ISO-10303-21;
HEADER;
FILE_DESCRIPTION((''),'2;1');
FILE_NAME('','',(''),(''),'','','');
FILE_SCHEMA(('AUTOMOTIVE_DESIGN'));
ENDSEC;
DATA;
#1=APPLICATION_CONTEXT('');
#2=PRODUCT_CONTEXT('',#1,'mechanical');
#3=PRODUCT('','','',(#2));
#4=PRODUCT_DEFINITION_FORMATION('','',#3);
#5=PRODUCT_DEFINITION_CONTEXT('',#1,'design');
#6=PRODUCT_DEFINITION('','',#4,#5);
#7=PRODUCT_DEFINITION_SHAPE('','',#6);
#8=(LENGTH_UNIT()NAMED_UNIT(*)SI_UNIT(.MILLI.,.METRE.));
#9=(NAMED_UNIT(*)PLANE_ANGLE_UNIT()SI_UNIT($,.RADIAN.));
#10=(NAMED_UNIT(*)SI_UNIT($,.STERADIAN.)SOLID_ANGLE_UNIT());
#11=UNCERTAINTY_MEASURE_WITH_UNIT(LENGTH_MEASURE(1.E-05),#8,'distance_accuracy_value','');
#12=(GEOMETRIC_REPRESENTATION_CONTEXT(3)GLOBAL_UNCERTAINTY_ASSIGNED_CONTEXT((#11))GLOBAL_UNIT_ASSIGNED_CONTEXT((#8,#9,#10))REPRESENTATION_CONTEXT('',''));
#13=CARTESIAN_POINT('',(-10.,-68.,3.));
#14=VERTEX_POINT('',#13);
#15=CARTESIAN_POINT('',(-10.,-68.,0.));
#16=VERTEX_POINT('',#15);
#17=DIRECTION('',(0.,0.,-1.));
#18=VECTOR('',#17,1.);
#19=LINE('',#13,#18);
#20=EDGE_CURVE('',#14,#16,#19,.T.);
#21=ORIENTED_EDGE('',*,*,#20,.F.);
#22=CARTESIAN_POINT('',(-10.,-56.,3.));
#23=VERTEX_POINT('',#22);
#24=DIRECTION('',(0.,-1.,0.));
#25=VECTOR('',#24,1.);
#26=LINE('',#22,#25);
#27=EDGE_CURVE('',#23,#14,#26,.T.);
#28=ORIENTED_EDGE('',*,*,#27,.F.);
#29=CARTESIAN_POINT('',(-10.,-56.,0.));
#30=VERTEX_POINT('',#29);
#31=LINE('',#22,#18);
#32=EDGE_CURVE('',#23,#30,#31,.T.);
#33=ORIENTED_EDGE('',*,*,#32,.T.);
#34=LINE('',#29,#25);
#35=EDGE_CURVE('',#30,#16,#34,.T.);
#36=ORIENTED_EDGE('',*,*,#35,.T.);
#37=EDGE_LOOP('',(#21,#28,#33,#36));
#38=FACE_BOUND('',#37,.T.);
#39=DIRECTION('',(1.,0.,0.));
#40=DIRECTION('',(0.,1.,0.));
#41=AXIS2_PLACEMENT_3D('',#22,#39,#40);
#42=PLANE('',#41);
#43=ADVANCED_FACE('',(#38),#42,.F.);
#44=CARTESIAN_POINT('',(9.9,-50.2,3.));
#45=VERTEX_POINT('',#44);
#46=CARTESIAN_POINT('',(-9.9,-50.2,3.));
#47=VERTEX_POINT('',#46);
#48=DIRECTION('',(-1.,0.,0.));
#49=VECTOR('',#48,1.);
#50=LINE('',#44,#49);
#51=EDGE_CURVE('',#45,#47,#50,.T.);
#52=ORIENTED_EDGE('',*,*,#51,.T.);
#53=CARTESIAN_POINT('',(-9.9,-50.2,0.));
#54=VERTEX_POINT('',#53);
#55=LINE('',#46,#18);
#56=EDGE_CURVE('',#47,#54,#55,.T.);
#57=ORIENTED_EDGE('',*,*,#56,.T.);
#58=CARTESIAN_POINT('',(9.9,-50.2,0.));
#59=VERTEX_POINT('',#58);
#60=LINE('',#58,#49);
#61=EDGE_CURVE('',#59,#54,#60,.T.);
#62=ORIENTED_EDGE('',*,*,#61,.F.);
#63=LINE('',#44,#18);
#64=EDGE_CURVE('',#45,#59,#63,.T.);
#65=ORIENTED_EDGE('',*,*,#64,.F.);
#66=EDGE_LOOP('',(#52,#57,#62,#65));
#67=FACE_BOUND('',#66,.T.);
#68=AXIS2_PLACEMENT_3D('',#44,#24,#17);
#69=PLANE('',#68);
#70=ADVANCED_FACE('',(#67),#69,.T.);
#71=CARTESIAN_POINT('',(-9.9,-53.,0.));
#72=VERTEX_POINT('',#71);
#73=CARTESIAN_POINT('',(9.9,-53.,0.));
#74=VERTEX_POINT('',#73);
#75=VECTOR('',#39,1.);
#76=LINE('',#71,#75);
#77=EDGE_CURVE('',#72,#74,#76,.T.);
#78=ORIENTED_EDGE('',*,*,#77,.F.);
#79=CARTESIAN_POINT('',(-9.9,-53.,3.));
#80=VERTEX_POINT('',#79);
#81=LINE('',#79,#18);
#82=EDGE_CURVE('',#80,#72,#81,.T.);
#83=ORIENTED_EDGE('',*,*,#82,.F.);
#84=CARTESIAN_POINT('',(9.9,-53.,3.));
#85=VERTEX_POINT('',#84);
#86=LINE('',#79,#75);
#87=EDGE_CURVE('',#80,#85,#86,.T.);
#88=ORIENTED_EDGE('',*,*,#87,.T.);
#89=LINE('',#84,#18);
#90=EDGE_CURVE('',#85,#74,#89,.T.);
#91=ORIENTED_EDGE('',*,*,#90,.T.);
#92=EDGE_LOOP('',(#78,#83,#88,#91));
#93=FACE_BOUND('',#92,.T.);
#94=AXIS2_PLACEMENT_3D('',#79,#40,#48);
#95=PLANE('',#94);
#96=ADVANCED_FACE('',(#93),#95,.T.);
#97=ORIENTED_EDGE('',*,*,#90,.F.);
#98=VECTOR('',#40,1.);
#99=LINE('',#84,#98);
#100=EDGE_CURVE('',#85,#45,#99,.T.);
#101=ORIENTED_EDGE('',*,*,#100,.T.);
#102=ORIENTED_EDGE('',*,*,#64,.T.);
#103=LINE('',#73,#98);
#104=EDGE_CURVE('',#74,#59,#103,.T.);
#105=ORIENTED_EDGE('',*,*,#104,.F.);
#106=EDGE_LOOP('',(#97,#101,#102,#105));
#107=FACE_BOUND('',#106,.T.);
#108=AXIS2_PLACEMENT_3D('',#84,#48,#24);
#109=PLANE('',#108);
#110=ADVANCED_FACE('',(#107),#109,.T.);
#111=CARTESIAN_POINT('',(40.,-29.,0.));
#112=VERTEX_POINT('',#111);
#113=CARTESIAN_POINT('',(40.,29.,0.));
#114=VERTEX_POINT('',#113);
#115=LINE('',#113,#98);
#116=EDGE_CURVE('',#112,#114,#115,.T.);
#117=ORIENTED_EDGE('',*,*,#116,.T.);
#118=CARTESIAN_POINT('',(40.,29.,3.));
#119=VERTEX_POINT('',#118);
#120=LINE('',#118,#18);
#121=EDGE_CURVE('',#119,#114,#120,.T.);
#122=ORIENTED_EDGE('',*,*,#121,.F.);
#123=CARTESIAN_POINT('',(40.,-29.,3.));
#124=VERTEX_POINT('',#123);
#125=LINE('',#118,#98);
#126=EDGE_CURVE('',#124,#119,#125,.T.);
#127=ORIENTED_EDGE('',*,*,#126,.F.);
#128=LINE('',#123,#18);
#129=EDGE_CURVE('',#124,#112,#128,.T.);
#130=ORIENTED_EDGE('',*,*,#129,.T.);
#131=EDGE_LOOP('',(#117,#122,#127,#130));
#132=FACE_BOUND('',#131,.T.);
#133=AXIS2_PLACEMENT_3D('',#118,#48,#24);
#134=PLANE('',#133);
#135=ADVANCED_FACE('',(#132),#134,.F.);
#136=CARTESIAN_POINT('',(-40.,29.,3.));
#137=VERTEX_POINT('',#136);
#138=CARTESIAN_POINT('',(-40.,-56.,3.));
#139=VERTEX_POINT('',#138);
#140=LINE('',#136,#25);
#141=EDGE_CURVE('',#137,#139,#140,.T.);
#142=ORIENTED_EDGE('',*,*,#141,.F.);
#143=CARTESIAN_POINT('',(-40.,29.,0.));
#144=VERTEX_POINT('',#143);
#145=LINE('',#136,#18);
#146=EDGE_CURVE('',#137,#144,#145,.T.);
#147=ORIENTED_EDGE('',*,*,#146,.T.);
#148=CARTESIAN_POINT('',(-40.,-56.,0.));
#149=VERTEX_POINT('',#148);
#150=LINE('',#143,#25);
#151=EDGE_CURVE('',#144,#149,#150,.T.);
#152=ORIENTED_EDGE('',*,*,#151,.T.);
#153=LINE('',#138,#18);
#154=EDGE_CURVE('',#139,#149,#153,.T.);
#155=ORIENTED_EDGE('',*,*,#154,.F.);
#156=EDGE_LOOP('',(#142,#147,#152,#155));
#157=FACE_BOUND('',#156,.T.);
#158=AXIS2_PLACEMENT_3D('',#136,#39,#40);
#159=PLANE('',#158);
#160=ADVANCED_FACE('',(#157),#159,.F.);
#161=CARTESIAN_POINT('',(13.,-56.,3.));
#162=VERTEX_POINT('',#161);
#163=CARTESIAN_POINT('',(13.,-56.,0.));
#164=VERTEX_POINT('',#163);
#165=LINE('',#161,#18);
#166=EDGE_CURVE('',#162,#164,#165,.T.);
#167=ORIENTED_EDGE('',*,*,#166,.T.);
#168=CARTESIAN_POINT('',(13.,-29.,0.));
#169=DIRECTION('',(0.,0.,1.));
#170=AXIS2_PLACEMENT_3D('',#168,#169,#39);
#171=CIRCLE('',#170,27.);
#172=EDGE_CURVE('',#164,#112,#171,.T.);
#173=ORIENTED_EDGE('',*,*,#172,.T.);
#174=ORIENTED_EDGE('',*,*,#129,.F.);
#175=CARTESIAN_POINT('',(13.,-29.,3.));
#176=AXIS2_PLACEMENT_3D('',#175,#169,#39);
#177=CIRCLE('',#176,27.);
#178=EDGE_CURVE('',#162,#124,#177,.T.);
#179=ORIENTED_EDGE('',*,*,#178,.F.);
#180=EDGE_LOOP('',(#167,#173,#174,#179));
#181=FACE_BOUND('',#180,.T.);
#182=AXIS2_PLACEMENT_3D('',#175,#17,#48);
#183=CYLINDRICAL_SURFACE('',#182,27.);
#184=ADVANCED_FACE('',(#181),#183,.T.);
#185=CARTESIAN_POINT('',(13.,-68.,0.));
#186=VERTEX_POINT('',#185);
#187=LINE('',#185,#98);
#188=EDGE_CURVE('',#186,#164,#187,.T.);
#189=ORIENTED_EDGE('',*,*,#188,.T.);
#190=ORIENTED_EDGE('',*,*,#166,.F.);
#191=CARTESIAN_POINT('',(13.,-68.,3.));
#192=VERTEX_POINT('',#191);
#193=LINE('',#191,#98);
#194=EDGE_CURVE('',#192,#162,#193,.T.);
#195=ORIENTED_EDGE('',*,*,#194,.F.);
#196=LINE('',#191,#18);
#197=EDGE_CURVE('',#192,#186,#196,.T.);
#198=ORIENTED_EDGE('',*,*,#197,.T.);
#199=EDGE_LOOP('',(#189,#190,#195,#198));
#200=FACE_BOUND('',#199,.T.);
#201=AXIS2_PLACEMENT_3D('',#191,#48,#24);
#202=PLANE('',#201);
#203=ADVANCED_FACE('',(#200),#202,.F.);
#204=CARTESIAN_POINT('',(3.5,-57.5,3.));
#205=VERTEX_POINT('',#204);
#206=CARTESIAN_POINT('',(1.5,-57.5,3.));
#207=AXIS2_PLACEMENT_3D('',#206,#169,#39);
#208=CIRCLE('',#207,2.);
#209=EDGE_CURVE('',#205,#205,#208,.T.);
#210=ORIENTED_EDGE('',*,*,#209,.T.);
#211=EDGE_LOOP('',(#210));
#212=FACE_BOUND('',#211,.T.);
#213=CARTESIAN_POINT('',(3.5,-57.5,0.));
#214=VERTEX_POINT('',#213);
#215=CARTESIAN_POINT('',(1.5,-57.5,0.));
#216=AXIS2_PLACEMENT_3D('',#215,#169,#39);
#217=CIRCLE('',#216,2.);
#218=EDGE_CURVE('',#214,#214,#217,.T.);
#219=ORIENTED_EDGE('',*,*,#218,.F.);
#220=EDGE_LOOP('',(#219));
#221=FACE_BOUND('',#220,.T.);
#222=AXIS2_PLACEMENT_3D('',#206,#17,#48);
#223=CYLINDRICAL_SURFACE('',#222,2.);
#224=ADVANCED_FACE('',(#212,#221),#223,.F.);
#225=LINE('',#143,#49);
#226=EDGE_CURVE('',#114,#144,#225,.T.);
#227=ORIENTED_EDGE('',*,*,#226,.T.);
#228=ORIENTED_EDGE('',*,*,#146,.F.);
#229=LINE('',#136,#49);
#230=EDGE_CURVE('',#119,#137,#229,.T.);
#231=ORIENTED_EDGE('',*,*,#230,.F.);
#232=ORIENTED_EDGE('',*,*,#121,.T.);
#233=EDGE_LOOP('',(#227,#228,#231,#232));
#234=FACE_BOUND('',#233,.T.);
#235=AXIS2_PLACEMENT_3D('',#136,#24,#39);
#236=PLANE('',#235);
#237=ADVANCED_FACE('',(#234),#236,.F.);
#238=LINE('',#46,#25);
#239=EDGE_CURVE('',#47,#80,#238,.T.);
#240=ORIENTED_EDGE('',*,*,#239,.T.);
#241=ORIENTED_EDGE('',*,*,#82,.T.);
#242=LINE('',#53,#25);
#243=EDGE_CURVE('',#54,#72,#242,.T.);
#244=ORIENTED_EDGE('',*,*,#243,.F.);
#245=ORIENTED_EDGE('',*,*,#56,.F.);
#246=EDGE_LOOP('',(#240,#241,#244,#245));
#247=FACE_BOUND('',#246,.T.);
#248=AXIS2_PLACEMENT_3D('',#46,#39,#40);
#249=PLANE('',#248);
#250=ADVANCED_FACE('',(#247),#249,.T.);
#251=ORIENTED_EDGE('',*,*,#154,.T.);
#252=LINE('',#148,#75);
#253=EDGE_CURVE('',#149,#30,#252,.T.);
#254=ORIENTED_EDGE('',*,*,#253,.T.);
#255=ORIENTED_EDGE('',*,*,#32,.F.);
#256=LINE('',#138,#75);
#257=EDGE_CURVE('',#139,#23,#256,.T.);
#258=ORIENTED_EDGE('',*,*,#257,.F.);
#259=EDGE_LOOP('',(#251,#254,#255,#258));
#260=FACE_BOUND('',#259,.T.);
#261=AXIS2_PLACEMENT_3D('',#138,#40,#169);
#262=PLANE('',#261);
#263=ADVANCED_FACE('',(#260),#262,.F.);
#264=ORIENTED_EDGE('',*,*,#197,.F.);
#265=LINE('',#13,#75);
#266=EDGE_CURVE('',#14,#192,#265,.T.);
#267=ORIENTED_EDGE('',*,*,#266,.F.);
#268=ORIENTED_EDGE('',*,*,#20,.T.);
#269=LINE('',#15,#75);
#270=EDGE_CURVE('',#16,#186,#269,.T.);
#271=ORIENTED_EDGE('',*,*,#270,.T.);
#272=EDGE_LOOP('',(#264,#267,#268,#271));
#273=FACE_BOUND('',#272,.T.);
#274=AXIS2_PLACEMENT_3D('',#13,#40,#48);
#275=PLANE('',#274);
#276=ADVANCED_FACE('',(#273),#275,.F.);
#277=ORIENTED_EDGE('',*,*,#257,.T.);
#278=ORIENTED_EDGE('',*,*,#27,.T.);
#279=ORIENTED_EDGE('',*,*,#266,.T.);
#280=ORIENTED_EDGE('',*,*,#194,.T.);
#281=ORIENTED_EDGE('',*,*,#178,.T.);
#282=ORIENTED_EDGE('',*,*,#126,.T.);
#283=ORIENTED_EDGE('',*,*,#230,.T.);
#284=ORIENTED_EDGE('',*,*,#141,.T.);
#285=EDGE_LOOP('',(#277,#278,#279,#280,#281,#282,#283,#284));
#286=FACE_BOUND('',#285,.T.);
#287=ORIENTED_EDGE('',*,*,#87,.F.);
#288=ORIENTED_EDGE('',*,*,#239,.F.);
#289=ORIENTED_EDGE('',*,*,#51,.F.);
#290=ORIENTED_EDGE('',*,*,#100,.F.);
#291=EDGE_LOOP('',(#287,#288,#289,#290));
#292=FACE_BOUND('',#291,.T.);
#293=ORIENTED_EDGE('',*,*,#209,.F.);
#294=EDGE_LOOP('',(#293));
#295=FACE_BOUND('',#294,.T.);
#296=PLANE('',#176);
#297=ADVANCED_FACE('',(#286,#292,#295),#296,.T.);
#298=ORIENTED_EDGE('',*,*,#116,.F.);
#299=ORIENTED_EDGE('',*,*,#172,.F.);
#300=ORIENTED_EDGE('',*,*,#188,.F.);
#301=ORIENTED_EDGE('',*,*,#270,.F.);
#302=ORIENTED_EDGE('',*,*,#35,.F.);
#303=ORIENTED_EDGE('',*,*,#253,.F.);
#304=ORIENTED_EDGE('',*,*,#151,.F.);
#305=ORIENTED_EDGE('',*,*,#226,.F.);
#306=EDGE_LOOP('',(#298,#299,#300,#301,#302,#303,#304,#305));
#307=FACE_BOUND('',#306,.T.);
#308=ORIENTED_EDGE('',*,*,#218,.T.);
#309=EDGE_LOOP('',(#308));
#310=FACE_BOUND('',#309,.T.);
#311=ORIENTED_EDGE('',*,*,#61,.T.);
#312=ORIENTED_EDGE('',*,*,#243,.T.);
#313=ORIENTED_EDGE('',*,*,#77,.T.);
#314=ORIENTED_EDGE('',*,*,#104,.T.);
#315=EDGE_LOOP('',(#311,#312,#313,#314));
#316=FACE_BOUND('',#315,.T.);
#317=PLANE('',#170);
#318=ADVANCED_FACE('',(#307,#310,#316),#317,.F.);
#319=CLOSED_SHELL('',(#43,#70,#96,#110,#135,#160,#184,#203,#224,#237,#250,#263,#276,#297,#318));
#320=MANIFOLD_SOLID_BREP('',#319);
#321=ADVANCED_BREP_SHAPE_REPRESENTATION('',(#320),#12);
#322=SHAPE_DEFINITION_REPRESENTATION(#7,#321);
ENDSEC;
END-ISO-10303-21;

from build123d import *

# Parameters (mm, degrees)
CROQUIS1_R              = 2
CROQUIS1_W              = 19.8
CROQUIS1_H              = 2.8
SALIENTE_EXTRUIR1_DEPTH = 3


with BuildPart() as part:
    # Croquis1 → Saliente-Extruir1 (new body)
    with BuildSketch(Plane.XY):
        with BuildLine():
            Line((-40, 29), (40, 29))
            Line((40, 29), (40, -29))
            ThreePointArc((40, -29), (32.091883092, -48.091883092), (13, -56))
            Line((13, -56), (13, -68))
            Line((13, -68), (-10, -68))
            Line((-10, -68), (-10, -56))
            Line((-10, -56), (-40, -56))
            Line((-40, -56), (-40, 29))
        make_face()
        with Locations((1.5, -57.5)):
            Circle(CROQUIS1_R, mode=Mode.SUBTRACT)
        with Locations((0, -51.6)):
            Rectangle(CROQUIS1_W, CROQUIS1_H, mode=Mode.SUBTRACT)
    extrude(amount=SALIENTE_EXTRUIR1_DEPTH)


solid = part.part
